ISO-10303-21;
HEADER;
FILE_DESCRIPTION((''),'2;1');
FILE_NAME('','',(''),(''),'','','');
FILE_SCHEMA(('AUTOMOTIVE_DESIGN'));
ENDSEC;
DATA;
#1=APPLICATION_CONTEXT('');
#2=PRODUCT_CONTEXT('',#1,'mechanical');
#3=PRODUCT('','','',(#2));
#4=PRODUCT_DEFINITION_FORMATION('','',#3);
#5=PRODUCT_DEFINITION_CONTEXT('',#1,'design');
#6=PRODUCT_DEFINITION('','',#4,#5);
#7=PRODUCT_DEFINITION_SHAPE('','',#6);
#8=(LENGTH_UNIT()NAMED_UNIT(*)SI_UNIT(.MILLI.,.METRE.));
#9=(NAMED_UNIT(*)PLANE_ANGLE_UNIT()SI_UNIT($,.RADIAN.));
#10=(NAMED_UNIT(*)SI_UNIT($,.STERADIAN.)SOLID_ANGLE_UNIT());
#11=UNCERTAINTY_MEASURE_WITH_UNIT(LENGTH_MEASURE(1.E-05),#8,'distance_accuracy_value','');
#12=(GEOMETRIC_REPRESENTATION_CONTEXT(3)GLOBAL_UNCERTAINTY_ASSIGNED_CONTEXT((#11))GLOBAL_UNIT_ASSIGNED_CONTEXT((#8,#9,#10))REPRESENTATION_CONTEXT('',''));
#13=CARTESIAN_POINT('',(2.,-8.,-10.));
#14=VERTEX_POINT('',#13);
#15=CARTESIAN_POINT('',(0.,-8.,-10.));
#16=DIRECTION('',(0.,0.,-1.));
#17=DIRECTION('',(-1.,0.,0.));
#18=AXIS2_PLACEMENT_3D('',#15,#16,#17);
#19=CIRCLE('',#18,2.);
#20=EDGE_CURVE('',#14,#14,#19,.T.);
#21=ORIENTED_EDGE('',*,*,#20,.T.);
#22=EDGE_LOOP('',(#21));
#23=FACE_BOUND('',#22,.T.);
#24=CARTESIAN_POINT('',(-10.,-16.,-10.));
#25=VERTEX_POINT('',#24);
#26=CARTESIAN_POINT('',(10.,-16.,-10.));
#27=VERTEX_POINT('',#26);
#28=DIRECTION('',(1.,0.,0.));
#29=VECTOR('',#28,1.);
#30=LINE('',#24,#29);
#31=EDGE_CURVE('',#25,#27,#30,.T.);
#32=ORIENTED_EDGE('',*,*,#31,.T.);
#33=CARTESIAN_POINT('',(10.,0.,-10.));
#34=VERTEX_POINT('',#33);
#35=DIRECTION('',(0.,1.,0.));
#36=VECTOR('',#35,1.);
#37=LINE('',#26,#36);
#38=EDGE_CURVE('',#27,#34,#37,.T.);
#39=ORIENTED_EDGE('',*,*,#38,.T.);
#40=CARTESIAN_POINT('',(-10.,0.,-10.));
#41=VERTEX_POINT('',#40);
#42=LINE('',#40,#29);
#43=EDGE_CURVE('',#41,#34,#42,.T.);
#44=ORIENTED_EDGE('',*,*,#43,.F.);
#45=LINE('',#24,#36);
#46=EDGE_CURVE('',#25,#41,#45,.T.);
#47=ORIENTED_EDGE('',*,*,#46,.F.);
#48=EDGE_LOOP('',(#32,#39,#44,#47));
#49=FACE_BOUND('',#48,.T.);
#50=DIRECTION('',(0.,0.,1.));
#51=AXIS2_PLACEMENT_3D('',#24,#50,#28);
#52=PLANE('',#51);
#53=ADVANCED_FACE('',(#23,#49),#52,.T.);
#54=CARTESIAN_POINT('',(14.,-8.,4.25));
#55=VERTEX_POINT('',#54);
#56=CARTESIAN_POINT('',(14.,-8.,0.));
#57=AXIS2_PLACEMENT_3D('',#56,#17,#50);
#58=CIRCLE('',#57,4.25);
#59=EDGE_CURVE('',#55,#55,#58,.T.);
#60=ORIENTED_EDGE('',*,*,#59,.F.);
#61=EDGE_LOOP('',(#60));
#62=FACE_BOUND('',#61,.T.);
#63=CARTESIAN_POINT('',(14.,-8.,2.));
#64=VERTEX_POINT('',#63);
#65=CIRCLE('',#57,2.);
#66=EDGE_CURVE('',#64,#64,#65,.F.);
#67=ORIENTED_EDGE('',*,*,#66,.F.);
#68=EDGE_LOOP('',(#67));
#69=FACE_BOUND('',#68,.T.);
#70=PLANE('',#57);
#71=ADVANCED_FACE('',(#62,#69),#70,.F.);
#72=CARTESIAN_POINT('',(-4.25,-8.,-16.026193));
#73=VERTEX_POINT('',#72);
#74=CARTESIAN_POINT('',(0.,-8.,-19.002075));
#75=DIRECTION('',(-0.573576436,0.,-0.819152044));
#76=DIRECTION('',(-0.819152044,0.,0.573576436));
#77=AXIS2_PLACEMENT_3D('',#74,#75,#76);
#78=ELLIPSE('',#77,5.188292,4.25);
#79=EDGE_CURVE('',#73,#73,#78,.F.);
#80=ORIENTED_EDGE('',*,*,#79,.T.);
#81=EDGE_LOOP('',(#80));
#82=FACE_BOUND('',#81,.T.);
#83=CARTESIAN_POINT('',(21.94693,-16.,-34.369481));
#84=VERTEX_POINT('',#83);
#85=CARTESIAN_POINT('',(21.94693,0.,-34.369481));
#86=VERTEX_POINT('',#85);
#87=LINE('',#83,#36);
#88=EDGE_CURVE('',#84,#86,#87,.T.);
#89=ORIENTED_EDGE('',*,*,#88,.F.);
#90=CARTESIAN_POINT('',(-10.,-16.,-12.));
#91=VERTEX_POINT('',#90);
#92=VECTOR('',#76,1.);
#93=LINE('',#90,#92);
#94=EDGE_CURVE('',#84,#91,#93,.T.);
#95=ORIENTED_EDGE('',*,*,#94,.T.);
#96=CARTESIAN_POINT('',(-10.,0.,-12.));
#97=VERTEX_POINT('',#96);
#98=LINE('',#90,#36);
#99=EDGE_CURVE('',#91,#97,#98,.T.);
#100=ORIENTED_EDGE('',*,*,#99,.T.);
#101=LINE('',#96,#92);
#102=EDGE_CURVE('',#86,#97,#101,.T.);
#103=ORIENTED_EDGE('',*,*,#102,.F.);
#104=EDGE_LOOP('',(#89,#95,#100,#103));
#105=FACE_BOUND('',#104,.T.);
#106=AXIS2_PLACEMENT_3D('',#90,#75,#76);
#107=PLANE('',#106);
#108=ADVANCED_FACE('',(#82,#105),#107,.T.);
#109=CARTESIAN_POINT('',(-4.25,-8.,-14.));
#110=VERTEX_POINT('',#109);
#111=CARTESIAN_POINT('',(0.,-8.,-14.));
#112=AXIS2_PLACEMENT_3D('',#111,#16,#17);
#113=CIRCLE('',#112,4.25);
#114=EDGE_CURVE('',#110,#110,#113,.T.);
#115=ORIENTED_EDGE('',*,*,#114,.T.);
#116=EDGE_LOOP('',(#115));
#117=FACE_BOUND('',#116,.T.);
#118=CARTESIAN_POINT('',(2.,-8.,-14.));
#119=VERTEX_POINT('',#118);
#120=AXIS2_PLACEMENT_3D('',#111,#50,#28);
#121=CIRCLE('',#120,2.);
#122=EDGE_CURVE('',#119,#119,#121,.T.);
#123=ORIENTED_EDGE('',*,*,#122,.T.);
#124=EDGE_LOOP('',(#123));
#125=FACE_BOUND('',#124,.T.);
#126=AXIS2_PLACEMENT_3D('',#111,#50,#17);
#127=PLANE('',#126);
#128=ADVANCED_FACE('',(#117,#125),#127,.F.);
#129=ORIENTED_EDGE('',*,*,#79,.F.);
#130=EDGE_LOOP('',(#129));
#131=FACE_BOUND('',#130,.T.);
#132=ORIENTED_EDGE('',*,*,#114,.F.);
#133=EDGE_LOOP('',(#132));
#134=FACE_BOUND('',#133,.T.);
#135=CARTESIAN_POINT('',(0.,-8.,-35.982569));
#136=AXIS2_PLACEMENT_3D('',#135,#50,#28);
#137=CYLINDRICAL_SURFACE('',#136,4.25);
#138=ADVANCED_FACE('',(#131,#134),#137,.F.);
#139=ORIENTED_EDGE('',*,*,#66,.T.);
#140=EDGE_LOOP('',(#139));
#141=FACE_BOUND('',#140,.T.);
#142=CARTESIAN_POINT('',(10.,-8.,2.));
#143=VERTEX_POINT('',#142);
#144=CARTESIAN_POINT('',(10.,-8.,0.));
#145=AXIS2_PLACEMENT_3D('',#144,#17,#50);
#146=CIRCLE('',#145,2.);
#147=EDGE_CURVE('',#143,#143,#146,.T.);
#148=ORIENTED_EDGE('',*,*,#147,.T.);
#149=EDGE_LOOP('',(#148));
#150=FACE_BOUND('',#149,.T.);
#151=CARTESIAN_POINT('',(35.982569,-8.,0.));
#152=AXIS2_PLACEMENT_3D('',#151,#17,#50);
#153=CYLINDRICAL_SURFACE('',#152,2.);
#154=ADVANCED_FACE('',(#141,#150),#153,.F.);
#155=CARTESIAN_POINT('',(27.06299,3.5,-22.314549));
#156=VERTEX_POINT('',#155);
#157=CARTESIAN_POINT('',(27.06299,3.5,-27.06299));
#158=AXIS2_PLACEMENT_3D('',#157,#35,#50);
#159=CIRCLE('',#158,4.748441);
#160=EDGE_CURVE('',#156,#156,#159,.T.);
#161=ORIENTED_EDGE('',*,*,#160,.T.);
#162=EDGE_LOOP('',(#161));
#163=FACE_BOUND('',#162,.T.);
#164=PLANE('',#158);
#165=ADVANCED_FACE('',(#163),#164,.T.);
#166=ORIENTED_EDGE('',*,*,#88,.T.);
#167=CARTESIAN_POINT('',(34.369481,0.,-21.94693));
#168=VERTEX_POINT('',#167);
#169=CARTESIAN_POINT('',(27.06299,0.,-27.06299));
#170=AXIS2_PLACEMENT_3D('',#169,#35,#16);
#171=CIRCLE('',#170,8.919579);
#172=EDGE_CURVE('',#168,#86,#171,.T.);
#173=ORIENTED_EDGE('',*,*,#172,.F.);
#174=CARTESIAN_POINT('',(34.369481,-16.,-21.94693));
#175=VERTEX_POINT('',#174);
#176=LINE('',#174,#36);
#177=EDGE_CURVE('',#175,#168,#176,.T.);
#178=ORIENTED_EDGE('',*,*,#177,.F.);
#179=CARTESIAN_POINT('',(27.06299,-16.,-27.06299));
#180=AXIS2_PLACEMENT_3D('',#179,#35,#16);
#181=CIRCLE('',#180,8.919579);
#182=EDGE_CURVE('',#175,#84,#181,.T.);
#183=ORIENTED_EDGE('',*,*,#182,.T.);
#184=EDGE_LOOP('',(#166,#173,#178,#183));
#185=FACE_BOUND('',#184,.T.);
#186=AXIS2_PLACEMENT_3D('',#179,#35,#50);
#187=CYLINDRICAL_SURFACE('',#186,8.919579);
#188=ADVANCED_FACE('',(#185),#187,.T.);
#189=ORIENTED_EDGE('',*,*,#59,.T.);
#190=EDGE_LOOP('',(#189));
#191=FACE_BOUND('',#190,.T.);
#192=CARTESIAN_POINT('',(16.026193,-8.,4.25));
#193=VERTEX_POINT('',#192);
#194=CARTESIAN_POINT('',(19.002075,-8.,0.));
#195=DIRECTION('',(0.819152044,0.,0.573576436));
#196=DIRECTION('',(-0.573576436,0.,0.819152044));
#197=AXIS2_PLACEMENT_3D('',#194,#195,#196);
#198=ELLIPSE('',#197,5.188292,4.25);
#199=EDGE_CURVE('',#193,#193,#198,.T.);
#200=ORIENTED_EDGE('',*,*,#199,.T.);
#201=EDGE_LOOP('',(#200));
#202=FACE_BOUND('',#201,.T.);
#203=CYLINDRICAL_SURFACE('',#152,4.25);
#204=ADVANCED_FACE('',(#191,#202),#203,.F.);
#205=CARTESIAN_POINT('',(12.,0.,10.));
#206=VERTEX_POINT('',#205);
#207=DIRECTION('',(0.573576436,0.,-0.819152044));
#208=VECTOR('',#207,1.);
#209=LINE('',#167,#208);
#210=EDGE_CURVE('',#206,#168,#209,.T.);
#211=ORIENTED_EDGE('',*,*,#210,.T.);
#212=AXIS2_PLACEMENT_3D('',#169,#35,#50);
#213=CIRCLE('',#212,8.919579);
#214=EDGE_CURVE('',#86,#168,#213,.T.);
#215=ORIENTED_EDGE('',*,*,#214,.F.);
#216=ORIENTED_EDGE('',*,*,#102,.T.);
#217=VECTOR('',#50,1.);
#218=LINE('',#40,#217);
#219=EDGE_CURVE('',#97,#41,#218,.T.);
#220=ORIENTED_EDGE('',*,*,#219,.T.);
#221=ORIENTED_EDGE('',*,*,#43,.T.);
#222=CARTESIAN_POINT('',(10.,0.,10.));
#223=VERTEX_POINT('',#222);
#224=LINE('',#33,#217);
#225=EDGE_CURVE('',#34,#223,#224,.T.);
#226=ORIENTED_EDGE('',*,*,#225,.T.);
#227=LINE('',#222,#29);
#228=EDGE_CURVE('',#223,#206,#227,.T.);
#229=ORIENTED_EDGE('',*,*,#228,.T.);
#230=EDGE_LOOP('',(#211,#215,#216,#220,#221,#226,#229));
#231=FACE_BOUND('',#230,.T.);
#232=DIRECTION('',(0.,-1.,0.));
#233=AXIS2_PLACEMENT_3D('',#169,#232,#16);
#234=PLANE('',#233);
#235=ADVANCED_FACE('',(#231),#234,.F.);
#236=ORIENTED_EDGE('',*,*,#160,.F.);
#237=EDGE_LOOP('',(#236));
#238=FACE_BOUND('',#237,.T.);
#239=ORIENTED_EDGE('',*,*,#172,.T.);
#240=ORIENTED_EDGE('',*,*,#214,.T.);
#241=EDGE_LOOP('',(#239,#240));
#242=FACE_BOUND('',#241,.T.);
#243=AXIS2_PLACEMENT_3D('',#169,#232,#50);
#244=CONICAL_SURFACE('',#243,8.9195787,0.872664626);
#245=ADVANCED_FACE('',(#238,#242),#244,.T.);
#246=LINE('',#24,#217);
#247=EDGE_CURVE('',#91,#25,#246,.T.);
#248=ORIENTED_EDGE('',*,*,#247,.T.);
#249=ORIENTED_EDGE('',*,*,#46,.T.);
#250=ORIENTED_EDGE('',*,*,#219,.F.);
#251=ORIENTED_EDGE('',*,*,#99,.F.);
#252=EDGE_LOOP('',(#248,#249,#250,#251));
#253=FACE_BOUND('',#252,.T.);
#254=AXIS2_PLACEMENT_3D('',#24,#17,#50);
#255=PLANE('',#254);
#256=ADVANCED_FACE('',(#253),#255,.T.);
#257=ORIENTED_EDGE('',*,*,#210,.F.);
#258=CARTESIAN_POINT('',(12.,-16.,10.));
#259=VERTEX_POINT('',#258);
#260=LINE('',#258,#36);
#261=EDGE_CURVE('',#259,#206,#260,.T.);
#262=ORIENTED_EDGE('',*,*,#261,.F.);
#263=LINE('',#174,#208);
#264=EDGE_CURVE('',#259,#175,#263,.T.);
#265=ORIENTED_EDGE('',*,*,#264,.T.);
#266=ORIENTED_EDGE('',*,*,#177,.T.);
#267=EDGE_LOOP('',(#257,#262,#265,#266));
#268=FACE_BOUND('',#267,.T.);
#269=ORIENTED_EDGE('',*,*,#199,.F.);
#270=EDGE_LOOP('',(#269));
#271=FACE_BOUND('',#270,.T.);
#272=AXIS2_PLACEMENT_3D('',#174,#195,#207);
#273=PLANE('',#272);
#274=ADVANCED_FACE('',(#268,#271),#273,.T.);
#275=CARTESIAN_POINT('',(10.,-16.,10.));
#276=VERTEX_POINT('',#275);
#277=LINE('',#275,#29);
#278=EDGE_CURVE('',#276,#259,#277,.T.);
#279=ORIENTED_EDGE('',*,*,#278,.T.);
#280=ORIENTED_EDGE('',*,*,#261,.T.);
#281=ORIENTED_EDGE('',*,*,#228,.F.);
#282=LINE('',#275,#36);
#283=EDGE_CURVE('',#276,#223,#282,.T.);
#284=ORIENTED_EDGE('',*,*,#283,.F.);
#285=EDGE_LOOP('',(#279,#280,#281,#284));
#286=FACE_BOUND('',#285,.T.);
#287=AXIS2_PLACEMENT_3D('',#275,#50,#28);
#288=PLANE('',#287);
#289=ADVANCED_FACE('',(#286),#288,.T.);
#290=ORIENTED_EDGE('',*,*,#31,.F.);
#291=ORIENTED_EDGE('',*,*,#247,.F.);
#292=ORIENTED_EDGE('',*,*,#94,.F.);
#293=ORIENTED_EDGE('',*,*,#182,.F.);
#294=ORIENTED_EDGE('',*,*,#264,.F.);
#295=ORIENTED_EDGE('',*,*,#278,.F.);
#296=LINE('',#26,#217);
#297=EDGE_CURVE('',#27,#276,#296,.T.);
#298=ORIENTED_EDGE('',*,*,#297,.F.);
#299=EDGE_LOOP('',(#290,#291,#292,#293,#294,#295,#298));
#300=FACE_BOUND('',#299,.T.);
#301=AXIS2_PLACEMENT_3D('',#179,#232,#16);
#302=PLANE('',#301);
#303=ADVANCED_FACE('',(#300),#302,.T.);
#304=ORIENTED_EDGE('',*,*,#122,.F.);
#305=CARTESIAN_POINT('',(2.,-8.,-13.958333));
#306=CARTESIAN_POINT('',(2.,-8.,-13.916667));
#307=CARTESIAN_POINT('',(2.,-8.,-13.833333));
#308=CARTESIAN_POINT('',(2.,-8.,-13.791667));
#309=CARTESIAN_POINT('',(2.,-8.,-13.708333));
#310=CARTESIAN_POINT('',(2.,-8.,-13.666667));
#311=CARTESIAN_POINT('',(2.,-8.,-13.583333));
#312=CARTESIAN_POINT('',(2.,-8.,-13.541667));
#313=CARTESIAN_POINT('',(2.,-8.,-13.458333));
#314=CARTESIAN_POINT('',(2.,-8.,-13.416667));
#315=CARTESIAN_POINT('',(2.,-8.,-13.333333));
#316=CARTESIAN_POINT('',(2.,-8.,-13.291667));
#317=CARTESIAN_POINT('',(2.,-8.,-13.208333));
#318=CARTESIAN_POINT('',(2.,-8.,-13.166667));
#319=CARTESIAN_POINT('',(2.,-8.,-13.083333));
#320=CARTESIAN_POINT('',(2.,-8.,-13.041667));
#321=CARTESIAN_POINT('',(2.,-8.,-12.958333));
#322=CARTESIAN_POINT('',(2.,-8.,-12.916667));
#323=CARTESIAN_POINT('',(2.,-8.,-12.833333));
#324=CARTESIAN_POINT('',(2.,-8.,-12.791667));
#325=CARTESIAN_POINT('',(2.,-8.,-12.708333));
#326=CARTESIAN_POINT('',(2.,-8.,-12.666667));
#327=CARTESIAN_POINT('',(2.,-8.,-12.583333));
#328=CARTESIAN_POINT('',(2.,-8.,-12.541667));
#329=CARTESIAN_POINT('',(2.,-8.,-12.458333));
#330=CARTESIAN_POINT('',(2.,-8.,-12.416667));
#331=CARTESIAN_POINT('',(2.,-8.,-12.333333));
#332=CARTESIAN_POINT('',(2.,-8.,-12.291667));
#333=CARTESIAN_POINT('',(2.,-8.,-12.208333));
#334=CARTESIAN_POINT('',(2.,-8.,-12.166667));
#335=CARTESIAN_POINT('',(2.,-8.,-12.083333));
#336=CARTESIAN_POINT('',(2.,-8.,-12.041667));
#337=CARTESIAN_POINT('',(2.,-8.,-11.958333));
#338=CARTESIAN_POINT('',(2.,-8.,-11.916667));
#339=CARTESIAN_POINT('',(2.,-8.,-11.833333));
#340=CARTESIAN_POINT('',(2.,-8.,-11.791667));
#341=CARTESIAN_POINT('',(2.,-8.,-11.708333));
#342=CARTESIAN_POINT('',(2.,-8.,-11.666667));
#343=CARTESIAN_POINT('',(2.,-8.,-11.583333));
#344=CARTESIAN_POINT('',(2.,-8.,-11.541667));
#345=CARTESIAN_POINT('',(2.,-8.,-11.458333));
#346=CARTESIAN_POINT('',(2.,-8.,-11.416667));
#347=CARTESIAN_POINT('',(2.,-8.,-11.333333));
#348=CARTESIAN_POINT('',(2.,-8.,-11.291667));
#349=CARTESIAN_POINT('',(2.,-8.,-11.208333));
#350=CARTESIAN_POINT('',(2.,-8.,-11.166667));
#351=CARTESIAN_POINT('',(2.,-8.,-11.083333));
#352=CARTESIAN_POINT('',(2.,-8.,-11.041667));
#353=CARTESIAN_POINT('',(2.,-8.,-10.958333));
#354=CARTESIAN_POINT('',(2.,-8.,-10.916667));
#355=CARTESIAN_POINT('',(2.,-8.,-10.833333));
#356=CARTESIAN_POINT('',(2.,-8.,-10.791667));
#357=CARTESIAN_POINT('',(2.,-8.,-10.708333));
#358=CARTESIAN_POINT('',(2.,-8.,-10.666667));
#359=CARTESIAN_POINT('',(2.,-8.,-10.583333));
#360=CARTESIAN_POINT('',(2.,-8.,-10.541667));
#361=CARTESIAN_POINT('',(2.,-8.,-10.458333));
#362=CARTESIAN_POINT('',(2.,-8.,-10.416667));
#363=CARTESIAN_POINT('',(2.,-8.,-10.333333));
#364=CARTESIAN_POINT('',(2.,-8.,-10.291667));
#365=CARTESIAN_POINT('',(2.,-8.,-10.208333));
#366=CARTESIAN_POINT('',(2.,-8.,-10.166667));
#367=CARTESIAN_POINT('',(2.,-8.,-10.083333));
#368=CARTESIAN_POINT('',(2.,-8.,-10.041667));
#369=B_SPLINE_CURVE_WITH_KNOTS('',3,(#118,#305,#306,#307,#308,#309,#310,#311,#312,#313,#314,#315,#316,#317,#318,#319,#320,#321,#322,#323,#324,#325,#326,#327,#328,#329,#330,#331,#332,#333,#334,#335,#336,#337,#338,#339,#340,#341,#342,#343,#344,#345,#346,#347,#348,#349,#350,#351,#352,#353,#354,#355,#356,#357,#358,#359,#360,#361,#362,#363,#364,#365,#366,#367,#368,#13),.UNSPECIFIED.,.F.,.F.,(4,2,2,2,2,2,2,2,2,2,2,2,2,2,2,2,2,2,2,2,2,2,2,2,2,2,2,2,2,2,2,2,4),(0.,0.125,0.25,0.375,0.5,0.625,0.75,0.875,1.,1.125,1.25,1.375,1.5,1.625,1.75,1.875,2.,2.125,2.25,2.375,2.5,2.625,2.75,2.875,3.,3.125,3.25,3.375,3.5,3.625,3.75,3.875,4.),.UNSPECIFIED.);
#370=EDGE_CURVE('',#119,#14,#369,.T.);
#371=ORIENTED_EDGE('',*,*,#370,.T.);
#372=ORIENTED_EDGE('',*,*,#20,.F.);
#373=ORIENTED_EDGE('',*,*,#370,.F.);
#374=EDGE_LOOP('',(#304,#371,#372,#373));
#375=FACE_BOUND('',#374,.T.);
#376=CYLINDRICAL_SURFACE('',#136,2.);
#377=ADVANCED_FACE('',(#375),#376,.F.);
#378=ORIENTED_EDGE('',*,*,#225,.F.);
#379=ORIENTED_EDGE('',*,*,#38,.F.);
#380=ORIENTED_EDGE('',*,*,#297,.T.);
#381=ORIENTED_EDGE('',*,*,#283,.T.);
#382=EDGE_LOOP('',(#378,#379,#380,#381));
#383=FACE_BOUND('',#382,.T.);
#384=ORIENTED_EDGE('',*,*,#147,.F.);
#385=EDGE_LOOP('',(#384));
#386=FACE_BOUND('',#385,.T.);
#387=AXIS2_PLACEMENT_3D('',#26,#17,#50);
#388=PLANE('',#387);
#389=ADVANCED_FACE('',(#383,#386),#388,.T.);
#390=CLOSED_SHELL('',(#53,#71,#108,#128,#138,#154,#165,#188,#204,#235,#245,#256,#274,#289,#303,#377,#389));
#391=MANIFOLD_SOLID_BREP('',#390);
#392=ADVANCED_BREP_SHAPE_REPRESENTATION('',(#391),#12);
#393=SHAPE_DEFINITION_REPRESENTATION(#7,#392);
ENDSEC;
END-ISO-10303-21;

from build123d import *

# Parameters (mm, degrees)
BOSS_EXTRUDE1_DEPTH = 16
SKETCH10_R          = 8.9195787
BOSS_EXTRUDE8_DEPTH = 3.5
BOSS_EXTRUDE8_TAPER = 50
SKETCH12_R          = 2
CUT_EXTRUDE3_DEPTH  = 48.178799534
CUT_EXTRUDE4_START  = -4
SKETCH13_R          = 4.25
CUT_EXTRUDE4_DEPTH  = 44.178799534


with BuildPart() as part:
    # Sketch1 → Boss-Extrude1 (new body)
    with BuildSketch(Plane(origin=(0, 0, 0), x_dir=(1, 0, 0), z_dir=(0, 1, 0))):
        with BuildLine():
            Line((-10, 10), (10, 10))
            Line((10, 10), (10, -10))
            Line((10, -10), (12, -10))
            Line((12, -10), (34.369481018, 21.946929727))
            ThreePointArc((34.369481018, 21.946929727), (33.370084476, 33.370084476), (21.946929727, 34.369481018))
            Line((21.946929727, 34.369481018), (-10, 12))
            Line((-10, 12), (-10, 10))
        make_face()
    extrude(amount=-BOSS_EXTRUDE1_DEPTH)

    # Sketch10 → Boss-Extrude8 (add)
    with BuildSketch(Plane(origin=(0, 0, 0), x_dir=(1, 0, 0), z_dir=(0, 1, 0))):
        with Locations((27.062989892, 27.062989892)):
            Circle(SKETCH10_R)
    extrude(amount=BOSS_EXTRUDE8_DEPTH, taper=BOSS_EXTRUDE8_TAPER)

    # Sketch12 → Cut-Extrude3 (cut, through all)
    with BuildSketch(Plane.ZY.offset(-10)):
        with Locations((0, -8)):
            Circle(SKETCH12_R)
    cut_extrude3 = extrude(amount=-CUT_EXTRUDE3_DEPTH, mode=Mode.SUBTRACT)

    # Sketch13 → Cut-Extrude4 (cut, through all)
    with BuildSketch(Plane.ZY.offset(-10).offset(CUT_EXTRUDE4_START)):
        with Locations((0, -8)):
            Circle(SKETCH13_R)
    cut_extrude4 = extrude(amount=-CUT_EXTRUDE4_DEPTH, mode=Mode.SUBTRACT)

    # Mirror3: Cut-Extrude3, Cut-Extrude4 across plane
    add(cut_extrude3.mirror(Plane(origin=(0, 0, 0), x_dir=(-0.7071067811865478, 0, 0.7071067811865472), z_dir=(-0.7071067811865475, 0, -0.7071067811865477))), mode=Mode.SUBTRACT)
    add(cut_extrude4.mirror(Plane(origin=(0, 0, 0), x_dir=(-0.7071067811865478, 0, 0.7071067811865472), z_dir=(-0.7071067811865475, 0, -0.7071067811865477))), mode=Mode.SUBTRACT)


solid = part.part
